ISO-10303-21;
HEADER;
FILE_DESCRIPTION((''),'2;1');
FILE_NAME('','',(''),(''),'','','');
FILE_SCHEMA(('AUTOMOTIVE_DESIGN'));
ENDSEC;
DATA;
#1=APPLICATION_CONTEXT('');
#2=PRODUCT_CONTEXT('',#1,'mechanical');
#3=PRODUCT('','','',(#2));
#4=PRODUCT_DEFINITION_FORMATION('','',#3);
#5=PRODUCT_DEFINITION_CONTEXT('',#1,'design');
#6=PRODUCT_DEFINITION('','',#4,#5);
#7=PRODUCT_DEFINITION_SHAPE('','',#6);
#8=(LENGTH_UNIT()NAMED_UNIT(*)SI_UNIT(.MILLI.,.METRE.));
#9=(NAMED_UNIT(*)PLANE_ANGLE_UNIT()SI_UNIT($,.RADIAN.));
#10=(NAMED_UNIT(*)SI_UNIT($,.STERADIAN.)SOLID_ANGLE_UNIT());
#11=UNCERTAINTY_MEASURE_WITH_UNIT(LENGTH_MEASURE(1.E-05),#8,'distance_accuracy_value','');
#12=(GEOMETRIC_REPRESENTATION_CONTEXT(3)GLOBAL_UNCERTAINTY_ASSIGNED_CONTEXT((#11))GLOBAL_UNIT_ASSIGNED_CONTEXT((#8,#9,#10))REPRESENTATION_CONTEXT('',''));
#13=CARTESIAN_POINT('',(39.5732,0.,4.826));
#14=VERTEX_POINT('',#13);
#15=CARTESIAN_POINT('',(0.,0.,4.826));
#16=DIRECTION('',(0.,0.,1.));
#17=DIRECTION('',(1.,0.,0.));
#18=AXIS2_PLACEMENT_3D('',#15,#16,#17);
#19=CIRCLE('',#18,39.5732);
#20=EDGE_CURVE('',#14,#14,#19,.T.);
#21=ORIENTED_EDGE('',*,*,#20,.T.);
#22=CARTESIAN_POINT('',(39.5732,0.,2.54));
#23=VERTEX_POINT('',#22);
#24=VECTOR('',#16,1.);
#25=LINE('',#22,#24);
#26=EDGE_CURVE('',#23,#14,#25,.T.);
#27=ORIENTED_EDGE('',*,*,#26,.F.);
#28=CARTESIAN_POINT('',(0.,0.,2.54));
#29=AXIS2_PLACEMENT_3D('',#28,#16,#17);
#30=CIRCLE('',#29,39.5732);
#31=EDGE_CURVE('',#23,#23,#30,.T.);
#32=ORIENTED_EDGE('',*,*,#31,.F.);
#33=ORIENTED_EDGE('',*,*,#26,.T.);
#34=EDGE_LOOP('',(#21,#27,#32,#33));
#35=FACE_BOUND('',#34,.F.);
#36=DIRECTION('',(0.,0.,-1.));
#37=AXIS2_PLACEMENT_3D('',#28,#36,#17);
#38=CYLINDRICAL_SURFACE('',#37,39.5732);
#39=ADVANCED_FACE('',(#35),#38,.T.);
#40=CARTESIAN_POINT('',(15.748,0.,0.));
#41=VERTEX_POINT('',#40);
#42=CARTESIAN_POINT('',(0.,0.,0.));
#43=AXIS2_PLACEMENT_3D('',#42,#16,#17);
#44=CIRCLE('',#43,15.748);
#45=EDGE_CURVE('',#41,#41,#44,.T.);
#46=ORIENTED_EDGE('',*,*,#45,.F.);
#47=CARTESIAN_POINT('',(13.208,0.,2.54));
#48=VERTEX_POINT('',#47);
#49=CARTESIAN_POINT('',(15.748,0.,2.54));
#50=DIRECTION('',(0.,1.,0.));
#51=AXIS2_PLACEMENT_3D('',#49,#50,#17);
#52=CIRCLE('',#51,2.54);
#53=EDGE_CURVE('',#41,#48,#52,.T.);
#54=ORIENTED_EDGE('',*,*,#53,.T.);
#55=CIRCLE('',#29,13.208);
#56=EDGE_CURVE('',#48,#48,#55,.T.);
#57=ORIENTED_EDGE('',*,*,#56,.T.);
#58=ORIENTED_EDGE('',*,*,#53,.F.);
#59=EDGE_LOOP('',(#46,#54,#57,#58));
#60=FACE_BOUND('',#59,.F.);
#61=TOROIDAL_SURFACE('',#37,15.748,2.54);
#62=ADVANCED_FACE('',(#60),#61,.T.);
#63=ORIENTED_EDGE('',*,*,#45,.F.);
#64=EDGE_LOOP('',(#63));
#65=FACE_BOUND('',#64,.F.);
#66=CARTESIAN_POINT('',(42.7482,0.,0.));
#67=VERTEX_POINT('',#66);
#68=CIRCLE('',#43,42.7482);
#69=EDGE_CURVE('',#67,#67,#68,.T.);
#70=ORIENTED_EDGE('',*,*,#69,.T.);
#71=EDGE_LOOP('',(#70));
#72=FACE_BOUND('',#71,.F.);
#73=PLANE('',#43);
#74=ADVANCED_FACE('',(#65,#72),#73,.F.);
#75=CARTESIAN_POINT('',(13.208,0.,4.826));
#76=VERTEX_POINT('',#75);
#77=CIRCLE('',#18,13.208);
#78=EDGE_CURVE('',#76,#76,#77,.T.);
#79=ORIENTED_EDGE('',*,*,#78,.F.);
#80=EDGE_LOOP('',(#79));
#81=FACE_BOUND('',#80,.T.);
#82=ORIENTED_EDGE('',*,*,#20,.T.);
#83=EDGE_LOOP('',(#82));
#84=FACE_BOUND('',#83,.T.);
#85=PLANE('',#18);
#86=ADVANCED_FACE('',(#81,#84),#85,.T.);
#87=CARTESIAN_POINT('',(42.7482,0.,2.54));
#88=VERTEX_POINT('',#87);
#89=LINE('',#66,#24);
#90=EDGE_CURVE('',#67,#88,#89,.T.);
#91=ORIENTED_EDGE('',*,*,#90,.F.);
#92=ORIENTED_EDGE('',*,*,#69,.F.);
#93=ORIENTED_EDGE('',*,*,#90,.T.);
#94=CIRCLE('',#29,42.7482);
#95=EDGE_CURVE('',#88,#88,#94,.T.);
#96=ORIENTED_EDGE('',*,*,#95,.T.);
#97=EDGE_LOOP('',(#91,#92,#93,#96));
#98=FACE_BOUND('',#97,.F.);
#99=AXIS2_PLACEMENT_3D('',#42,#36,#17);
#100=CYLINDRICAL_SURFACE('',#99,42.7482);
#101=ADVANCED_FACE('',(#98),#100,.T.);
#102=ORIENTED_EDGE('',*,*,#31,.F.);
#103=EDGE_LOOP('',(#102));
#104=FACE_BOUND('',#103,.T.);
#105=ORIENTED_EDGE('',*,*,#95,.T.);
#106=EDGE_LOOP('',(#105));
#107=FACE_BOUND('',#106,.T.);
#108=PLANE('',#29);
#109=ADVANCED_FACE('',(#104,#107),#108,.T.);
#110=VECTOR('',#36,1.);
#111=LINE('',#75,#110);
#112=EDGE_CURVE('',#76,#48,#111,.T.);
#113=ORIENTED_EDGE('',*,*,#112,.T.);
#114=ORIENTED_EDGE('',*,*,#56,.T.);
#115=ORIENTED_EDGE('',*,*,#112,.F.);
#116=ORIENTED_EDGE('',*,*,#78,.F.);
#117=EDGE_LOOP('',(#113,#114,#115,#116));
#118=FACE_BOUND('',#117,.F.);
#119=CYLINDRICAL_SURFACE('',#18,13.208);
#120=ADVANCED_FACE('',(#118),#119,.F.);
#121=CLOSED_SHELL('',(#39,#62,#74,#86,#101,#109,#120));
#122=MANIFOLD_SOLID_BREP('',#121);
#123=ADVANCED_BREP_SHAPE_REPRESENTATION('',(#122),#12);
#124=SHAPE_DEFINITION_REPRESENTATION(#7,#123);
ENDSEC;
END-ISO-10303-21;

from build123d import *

# Parameters (mm, degrees)
F0_R     = 42.7482
F1_DEPTH = 2.54
F2_R     = 39.5732
F3_DEPTH = 2.286
F4_R     = 13.208
F5_DEPTH = 4.827
F6_R     = 2.54


with BuildPart() as f1:
    # F0 (on Top) → F1 (new body)
    with BuildSketch(Plane.XY):
        Circle(F0_R)
    extrude(amount=F1_DEPTH)

    # F2 (on face) → F3 (join)
    with BuildSketch(Plane.XY.offset(2.54)):
        Circle(F2_R)
    extrude(amount=F3_DEPTH)

    # F4 (on face) → F5 (cut, through all)
    with BuildSketch(Plane.XY.offset(4.826)):
        Circle(F4_R)
    extrude(amount=-F5_DEPTH, mode=Mode.SUBTRACT)

    # F6
    f6_edges = [f1.edges().sort_by_distance(p)[0] for p in [
        (-13.208, 0, 0),
    ]]
    fillet(f6_edges, radius=F6_R)


solid = f1.part
